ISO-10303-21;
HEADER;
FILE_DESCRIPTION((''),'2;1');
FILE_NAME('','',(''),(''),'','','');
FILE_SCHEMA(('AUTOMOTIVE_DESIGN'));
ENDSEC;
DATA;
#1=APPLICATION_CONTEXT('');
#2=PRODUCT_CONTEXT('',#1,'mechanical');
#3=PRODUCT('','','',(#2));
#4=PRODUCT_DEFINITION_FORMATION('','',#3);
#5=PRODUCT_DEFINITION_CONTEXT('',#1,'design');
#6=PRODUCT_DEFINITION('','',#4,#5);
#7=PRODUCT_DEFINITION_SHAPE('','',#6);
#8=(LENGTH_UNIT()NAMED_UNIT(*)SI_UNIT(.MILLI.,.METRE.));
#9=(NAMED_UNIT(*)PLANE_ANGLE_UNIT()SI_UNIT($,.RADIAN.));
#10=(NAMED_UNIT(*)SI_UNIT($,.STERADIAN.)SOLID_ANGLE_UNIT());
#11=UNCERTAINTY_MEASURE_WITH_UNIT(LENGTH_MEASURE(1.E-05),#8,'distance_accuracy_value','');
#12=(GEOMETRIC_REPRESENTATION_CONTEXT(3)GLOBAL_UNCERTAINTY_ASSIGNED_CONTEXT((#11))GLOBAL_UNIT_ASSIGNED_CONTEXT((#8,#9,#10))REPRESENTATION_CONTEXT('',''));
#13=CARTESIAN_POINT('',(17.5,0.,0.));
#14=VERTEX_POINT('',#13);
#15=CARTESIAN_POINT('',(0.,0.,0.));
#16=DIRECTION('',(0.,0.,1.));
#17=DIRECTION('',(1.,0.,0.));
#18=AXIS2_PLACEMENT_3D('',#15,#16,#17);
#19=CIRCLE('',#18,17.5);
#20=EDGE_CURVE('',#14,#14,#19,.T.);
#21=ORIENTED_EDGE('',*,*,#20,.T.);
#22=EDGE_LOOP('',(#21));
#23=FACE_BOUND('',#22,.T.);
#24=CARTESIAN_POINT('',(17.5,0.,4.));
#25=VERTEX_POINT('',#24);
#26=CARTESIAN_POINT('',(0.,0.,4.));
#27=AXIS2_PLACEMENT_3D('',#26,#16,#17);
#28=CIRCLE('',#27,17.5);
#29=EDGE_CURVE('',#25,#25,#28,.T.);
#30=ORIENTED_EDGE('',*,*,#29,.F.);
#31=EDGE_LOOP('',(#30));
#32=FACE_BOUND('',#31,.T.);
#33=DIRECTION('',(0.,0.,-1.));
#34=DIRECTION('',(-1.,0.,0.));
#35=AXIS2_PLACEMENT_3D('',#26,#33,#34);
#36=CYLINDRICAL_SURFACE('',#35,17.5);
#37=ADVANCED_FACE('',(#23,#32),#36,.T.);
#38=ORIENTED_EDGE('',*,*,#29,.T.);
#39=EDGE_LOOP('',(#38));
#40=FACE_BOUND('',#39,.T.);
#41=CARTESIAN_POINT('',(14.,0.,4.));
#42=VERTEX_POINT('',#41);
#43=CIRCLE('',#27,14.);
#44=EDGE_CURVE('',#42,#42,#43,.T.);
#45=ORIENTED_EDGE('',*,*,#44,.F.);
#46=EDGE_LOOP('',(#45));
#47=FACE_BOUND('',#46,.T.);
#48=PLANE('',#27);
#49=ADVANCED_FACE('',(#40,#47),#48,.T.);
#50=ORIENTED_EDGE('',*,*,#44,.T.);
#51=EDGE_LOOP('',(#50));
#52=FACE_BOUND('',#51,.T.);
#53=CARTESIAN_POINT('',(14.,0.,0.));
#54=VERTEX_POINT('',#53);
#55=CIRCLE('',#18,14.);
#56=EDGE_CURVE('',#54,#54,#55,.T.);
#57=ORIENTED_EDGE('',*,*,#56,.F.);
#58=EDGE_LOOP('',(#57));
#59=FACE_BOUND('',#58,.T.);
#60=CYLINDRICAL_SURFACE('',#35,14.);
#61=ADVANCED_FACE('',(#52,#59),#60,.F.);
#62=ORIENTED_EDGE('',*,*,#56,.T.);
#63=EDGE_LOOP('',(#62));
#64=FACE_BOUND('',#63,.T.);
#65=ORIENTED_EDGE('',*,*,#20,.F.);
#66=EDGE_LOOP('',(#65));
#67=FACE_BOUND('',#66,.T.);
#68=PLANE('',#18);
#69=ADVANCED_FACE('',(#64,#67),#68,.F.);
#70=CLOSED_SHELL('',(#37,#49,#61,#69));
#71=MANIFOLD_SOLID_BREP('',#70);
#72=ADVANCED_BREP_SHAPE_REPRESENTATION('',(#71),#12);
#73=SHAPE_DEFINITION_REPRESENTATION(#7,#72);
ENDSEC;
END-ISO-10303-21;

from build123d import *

# Parameters (mm, degrees)
SKETCH1_R           = 17.5
SKETCH1_R_2         = 14
BOSS_EXTRUDE1_DEPTH = 4


with BuildPart() as part:
    # Sketch1 → Boss-Extrude1 (new body)
    with BuildSketch(Plane(origin=(0, 0, 0), x_dir=(0, 1, 0), z_dir=(0, 0, 1))):
        with Locations(Location((0, 0, 0), (0, 0, 270))):
            Circle(SKETCH1_R)
        with Locations(Location((0, 0, 0), (0, 0, 270))):
            Circle(SKETCH1_R_2, mode=Mode.SUBTRACT)
    extrude(amount=BOSS_EXTRUDE1_DEPTH)


solid = part.part
